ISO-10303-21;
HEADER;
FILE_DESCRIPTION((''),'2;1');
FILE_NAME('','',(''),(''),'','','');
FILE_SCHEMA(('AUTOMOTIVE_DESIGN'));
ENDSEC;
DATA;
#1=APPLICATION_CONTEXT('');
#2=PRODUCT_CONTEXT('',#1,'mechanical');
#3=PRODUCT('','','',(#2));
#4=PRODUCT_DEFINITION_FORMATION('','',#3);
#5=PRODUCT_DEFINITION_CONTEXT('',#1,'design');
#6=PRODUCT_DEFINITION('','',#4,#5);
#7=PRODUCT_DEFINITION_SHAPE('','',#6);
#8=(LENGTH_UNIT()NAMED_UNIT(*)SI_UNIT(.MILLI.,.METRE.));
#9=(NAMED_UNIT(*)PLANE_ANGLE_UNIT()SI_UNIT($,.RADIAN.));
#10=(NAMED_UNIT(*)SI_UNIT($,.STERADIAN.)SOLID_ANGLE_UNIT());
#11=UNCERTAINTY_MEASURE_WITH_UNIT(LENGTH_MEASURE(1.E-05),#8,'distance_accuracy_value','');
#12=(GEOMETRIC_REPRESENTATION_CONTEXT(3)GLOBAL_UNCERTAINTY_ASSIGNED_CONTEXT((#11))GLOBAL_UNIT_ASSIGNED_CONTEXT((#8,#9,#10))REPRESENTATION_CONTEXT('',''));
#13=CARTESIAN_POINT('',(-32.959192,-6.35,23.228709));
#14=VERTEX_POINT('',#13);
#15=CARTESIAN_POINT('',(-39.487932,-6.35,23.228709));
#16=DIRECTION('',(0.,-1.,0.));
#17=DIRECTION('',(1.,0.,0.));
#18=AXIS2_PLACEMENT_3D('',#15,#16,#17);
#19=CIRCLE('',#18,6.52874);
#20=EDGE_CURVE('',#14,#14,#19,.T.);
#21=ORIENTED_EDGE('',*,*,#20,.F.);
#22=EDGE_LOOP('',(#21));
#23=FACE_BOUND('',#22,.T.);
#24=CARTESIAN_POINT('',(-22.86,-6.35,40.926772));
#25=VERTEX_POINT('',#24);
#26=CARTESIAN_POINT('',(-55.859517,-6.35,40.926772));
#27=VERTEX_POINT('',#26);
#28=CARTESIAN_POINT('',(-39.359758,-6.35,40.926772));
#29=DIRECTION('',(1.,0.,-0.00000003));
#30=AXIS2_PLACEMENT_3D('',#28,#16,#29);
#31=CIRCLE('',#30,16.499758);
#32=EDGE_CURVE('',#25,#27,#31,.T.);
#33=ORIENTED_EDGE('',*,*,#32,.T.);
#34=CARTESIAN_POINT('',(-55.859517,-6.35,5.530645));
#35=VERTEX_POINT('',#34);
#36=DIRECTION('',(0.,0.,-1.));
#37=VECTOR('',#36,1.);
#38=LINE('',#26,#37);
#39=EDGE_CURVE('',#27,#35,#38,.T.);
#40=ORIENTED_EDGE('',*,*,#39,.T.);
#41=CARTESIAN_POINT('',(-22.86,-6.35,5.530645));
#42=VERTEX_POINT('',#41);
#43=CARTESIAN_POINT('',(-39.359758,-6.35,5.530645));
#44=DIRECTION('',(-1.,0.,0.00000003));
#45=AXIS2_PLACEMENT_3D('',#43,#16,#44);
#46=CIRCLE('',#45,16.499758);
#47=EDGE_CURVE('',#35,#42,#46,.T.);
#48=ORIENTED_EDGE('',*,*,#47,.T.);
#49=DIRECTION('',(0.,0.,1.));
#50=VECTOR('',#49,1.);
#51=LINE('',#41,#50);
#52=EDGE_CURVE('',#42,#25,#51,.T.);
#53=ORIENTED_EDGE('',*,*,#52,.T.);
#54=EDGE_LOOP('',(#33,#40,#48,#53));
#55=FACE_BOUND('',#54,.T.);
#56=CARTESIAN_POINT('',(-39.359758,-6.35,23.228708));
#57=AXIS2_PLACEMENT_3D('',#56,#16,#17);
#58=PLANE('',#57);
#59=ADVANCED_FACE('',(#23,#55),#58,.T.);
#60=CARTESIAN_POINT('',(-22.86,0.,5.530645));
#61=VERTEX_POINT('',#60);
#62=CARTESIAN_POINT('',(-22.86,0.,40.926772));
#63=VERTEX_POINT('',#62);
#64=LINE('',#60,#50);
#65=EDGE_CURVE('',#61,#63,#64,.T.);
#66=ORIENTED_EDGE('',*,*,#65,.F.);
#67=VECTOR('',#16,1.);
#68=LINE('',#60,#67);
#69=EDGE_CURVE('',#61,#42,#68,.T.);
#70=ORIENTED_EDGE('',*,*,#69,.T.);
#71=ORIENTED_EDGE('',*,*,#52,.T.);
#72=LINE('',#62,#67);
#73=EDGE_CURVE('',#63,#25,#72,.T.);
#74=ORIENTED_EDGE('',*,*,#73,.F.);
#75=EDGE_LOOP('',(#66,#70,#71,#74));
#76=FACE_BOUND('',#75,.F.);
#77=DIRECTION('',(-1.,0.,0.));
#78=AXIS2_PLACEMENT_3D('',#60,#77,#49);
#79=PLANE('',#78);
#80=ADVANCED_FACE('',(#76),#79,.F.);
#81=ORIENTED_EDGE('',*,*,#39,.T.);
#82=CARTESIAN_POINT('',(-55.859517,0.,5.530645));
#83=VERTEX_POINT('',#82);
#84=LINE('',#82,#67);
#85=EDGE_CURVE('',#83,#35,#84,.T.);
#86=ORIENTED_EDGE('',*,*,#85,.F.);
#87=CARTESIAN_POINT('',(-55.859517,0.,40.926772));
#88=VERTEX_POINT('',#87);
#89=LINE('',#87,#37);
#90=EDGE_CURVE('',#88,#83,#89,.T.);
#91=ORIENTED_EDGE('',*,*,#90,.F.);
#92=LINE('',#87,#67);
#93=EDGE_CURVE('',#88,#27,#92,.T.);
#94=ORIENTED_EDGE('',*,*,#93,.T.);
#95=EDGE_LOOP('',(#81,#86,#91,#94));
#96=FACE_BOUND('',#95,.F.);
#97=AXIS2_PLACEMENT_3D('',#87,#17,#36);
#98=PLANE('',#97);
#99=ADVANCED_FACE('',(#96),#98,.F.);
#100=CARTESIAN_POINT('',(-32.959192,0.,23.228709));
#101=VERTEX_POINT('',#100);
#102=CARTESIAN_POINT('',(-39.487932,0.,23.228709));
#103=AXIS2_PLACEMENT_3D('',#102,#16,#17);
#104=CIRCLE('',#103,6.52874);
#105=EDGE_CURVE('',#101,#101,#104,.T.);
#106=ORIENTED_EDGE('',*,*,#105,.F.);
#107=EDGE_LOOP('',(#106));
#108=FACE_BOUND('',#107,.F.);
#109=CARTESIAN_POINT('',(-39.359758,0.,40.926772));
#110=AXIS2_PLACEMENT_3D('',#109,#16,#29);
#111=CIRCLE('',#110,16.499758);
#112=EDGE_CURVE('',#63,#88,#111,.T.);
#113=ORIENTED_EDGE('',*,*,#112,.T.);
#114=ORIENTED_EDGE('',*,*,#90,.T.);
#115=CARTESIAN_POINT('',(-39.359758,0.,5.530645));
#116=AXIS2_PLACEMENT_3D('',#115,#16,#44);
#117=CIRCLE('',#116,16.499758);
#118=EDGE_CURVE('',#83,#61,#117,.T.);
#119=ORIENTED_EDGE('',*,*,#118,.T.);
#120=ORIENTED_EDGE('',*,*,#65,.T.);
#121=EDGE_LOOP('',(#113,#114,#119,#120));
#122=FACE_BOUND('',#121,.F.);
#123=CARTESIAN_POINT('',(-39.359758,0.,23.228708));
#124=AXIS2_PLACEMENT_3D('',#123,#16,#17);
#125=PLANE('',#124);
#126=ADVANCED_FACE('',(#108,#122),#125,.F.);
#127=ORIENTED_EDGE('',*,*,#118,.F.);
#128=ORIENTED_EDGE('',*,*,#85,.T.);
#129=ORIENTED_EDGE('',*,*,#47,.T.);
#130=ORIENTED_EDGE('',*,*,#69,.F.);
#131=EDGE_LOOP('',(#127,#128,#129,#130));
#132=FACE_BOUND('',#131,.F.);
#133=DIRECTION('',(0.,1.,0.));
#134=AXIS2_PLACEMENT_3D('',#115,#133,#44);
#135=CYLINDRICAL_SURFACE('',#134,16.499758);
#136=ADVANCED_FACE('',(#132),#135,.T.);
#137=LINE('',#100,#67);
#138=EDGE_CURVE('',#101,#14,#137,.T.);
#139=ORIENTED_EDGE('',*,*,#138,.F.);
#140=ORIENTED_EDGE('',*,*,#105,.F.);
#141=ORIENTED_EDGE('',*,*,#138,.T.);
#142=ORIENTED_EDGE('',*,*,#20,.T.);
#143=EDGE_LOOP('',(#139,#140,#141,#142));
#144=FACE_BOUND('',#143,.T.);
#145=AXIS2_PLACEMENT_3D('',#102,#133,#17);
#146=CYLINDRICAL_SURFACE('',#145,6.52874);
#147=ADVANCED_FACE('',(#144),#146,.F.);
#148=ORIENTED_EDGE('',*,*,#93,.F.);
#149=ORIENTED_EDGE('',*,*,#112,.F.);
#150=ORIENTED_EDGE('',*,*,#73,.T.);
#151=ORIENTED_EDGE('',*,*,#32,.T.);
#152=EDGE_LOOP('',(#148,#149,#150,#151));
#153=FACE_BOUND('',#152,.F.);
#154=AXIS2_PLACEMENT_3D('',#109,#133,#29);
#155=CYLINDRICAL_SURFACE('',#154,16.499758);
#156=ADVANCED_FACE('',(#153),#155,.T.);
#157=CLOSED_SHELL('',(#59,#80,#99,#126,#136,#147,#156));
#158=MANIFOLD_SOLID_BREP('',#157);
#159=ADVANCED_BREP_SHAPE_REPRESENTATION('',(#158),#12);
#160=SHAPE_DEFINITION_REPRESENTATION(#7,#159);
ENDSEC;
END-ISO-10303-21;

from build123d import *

# Parameters (mm, degrees)
F0_R     = 6.52874
F1_DEPTH = 6.35


with BuildPart() as f1:
    # F0 (on Front) → F1 (new body)
    with BuildSketch(Plane.XZ):
        with BuildLine():
            ThreePointArc((-22.86, 40.926772), (-39.359759, 57.426531), (-55.859517, 40.926772))
            Line((-55.859517, 40.926772), (-55.859517, 5.530645))
            ThreePointArc((-55.859517, 5.530645), (-39.359759, -10.969114), (-22.86, 5.530645))
            Line((-22.86, 5.530645), (-22.86, 40.926772))
        make_face()
        with Locations((-39.487932, 23.228709)):
            Circle(F0_R, mode=Mode.SUBTRACT)
    extrude(amount=F1_DEPTH)


solid = f1.part
